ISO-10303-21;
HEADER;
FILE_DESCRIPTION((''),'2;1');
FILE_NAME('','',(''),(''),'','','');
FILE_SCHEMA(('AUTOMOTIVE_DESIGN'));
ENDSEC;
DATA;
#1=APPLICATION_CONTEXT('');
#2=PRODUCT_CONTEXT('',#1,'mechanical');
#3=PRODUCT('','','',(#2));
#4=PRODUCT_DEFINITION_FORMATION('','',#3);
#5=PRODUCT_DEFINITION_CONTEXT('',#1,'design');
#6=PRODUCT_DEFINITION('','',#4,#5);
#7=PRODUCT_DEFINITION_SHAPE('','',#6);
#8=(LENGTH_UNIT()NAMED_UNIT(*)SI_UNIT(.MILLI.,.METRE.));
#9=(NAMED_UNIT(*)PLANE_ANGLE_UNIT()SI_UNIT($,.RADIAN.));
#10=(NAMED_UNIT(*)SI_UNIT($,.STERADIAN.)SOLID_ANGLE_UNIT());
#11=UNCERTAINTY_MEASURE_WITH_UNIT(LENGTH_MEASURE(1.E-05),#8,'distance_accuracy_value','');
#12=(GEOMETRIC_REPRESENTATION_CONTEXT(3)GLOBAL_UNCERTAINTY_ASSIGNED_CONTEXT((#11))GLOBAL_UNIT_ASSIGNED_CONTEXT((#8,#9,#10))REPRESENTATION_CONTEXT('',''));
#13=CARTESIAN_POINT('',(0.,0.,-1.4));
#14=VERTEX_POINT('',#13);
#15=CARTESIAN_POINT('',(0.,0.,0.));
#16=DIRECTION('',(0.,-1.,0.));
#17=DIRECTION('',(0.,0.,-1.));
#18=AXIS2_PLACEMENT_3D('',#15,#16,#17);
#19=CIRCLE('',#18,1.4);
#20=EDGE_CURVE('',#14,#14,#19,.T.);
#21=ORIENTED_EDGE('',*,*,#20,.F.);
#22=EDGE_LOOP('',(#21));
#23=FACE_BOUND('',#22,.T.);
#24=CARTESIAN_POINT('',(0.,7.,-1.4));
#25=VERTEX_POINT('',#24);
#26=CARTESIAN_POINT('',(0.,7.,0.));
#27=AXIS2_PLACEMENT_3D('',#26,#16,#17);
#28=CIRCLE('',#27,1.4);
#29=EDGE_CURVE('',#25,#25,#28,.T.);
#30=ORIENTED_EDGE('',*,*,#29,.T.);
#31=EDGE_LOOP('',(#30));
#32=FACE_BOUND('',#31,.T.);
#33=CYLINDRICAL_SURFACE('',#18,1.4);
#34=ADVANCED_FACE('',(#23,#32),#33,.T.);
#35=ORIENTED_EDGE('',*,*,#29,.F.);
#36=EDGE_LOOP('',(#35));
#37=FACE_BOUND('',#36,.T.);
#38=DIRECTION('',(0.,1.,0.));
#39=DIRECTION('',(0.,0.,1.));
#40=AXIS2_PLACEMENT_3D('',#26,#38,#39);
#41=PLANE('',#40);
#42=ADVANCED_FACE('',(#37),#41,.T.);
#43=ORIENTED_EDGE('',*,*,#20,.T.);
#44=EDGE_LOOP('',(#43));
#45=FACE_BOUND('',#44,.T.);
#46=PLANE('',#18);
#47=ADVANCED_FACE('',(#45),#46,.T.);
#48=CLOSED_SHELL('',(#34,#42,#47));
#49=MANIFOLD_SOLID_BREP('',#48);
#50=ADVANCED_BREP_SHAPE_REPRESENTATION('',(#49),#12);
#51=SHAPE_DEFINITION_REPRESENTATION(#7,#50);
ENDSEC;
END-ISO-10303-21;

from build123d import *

# Parameters (mm, degrees)
SKETCH1_W = 1.4
SKETCH1_H = 7


with BuildPart() as part:
    # Sketch1 → Revolve1 (revolve)
    with BuildSketch(Plane.XY):
        with Locations((0.7, 3.5)):
            Rectangle(SKETCH1_W, SKETCH1_H)
    revolve(axis=Axis((0, 0, 0), (0, 1, 0)))


solid = part.part
